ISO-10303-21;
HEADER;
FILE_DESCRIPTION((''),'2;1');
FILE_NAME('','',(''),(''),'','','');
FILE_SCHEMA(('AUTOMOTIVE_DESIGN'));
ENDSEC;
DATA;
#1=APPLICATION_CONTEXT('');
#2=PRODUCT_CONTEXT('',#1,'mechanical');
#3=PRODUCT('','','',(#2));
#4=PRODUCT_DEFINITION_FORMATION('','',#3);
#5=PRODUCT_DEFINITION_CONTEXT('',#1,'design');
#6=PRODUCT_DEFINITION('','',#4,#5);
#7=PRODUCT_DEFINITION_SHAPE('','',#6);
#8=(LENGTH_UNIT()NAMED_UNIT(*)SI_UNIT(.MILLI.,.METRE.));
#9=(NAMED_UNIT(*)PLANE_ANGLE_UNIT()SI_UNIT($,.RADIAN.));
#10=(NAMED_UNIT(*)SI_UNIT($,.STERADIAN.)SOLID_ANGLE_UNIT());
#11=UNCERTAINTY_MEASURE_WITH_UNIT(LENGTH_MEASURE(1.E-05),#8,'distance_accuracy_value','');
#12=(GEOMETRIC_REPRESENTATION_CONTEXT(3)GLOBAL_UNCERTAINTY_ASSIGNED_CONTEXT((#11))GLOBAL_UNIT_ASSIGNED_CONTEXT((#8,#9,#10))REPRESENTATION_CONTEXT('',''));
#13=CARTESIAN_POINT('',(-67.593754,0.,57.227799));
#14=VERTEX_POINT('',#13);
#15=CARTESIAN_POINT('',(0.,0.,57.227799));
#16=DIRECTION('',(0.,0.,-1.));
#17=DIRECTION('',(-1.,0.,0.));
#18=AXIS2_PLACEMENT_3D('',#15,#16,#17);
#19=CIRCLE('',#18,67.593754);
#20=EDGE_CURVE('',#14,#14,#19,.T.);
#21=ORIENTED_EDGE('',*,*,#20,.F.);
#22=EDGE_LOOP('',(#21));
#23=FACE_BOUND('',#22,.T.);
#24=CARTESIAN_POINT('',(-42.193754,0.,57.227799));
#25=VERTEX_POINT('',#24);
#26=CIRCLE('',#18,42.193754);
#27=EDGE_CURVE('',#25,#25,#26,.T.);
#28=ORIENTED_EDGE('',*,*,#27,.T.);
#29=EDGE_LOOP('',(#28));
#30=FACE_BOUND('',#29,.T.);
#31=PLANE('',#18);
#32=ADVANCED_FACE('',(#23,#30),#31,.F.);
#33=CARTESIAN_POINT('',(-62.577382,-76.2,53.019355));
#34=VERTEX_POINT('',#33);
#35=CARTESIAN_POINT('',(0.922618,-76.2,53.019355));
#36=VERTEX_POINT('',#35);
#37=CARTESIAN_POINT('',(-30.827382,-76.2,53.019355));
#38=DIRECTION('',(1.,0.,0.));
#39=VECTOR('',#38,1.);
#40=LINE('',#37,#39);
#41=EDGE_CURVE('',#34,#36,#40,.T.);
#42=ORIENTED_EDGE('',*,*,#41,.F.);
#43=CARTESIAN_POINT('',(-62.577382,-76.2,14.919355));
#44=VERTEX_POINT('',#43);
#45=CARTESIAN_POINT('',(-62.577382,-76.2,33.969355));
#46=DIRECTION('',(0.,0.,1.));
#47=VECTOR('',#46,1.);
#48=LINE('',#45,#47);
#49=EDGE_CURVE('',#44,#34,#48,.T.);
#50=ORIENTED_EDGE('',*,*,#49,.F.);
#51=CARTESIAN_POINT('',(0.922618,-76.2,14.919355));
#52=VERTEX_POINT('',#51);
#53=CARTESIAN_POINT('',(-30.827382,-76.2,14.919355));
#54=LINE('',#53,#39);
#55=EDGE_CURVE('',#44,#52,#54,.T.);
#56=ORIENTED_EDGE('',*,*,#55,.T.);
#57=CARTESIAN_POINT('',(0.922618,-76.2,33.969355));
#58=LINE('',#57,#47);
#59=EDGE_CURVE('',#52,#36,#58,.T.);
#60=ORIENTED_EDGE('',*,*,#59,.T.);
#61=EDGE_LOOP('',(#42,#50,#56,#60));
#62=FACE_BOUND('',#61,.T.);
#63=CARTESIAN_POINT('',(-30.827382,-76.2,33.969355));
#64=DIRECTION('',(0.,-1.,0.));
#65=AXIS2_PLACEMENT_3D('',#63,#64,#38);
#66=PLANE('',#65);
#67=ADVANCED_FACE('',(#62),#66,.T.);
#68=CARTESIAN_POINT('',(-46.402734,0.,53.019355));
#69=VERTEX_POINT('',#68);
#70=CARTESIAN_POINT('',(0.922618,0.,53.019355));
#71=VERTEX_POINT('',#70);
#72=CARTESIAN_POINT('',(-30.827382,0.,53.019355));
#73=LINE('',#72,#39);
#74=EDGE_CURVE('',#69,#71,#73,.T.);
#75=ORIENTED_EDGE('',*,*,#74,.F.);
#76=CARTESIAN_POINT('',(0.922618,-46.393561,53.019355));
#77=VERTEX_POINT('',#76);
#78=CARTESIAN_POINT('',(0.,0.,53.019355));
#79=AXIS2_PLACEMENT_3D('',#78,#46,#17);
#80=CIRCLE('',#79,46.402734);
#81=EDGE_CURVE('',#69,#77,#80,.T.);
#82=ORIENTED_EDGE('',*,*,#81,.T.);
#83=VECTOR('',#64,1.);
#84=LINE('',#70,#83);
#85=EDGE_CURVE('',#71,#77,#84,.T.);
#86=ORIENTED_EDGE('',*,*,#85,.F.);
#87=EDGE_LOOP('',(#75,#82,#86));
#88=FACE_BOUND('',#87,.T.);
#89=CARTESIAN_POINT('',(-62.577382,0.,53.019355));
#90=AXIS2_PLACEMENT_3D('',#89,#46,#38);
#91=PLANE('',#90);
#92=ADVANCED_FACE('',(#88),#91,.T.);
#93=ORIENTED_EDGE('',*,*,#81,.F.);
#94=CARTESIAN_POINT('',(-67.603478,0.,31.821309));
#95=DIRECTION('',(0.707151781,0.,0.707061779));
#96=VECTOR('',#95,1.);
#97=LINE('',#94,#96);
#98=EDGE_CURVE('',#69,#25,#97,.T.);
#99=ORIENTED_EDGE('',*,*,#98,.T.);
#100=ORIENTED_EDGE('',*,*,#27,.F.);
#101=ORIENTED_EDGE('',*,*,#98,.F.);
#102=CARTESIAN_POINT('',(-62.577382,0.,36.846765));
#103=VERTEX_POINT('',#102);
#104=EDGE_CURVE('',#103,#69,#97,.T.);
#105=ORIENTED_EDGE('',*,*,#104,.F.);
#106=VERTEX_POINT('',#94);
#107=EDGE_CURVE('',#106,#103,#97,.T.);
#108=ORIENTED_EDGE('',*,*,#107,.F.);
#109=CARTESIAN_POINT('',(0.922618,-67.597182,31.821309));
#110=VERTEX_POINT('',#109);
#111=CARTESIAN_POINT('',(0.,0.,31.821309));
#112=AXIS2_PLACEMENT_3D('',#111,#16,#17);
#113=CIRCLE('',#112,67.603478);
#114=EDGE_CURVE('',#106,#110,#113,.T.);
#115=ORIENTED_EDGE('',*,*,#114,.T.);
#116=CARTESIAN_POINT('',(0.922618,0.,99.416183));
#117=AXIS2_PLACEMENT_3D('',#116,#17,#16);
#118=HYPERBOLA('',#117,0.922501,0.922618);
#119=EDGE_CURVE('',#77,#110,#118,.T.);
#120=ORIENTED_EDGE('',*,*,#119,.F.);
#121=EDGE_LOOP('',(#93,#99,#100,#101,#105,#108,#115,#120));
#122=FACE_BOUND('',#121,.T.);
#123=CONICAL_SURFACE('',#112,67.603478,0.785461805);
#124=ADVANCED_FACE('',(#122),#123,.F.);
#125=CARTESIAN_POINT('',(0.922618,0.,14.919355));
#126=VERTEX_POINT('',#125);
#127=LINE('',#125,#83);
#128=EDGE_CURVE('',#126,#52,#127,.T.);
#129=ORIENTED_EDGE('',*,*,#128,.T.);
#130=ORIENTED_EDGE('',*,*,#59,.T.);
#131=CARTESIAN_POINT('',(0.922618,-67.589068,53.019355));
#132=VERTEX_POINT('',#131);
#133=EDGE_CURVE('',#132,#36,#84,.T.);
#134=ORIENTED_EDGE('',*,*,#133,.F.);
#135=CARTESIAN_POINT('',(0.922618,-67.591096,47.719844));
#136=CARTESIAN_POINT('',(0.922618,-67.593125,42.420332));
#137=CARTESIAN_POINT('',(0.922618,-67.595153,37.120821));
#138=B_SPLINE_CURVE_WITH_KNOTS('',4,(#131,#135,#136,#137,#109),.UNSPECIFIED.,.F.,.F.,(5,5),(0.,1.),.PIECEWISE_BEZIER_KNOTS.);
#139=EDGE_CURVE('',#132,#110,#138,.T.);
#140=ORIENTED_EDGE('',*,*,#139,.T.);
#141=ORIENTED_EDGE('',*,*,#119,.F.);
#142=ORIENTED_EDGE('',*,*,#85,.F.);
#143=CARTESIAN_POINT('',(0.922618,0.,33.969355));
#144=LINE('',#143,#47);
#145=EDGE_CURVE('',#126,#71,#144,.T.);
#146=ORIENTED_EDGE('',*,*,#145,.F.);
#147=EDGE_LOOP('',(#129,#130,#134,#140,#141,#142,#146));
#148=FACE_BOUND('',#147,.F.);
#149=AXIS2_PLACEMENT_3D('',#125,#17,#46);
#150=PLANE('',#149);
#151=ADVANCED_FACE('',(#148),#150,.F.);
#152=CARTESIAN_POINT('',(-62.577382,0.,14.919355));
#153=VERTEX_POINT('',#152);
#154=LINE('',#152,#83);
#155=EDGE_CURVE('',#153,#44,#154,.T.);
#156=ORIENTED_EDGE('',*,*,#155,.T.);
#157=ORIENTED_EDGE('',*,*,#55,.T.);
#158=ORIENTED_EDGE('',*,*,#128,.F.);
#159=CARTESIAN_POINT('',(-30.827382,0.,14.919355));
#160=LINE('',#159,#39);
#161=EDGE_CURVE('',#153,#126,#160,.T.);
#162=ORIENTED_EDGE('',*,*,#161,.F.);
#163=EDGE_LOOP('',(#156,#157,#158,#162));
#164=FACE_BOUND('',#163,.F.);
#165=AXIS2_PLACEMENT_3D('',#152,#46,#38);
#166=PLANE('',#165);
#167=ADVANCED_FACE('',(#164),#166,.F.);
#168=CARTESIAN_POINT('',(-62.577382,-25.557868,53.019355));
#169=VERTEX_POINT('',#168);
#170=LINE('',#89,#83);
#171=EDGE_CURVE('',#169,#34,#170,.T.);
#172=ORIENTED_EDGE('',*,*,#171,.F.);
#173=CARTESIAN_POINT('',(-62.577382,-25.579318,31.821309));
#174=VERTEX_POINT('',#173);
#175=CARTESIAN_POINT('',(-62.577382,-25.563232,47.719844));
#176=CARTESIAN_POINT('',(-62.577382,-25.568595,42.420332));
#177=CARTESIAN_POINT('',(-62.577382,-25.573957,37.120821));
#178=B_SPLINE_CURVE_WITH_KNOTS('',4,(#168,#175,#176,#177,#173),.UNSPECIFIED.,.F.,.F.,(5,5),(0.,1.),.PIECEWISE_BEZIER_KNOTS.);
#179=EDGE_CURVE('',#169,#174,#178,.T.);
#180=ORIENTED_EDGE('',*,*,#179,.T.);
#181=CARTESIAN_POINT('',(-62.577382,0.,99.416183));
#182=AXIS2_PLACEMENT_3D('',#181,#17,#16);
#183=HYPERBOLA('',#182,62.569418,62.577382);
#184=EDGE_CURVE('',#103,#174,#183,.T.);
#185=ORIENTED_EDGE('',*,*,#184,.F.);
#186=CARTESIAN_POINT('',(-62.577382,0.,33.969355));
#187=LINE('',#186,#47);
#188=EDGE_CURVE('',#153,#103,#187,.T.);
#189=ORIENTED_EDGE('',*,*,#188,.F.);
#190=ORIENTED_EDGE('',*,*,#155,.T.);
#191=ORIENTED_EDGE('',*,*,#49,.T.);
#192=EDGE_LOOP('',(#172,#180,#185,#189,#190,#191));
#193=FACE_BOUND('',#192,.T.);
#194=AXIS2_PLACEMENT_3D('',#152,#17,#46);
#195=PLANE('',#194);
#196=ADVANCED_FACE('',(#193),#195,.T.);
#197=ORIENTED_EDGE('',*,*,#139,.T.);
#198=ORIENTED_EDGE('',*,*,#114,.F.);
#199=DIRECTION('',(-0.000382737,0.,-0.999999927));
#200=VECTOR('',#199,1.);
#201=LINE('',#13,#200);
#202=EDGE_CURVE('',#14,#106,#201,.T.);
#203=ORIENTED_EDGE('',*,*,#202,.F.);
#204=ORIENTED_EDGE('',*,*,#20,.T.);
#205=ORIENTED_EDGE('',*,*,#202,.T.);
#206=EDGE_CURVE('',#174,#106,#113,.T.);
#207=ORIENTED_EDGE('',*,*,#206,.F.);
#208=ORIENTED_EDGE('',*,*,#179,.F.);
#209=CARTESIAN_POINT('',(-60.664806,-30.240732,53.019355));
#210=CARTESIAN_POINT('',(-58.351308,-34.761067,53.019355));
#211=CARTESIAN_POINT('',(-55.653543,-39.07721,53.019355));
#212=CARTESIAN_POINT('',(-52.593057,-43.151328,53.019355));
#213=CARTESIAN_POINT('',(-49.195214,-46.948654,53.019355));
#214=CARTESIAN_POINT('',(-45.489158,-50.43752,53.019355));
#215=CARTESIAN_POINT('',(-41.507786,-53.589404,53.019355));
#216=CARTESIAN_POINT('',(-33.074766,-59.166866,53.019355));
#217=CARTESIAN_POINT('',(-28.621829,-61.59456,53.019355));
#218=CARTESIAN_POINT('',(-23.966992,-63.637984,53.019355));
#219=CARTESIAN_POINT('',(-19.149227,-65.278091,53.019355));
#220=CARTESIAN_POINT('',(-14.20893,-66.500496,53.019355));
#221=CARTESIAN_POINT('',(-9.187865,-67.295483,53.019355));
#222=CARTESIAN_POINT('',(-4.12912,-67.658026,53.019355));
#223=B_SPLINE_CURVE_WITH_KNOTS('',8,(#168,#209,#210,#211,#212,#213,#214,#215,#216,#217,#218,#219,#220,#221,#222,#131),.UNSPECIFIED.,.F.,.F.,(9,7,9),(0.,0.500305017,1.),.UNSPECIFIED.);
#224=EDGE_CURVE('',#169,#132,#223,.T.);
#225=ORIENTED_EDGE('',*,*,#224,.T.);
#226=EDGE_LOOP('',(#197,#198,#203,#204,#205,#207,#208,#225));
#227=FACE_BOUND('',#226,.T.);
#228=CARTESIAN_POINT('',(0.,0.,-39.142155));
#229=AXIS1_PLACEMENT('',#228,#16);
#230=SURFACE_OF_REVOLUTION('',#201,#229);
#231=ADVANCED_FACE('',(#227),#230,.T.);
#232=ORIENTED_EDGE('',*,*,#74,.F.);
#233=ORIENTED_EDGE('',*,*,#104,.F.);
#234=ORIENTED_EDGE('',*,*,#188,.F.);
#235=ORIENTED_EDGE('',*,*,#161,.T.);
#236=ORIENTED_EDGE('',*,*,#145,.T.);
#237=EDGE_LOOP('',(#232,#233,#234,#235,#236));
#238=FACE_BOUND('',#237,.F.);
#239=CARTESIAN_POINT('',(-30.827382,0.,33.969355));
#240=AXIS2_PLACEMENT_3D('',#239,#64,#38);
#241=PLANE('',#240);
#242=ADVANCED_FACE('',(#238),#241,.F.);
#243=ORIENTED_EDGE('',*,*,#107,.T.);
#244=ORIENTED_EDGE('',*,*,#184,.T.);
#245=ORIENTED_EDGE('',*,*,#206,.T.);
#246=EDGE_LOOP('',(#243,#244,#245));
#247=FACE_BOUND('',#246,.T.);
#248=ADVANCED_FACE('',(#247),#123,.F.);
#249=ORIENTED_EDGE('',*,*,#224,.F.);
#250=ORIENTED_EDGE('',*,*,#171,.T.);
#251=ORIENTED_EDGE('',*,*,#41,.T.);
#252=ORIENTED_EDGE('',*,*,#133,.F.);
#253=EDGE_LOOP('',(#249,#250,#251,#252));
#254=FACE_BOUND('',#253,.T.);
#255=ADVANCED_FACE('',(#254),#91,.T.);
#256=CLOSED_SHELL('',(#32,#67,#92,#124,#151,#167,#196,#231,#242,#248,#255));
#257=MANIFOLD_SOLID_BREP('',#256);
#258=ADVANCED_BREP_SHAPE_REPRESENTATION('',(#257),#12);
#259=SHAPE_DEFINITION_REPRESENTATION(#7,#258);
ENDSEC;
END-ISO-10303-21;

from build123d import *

# Parameters (mm, degrees)
F0_W     = 63.5
F0_H     = 38.1
F1_DEPTH = 76.2


with BuildPart() as f1:
    # F0 (on Front) → F1 (new body)
    with BuildSketch(Plane.XZ):
        with Locations((-30.827382, 33.969355)):
            Rectangle(F0_W, F0_H)
    extrude(amount=F1_DEPTH)

    # F2 (on Front) → F3 (revolve)
    with BuildSketch(Plane.XZ):
        Polygon((-67.593754, 57.227799), (-67.603478, 31.821309), (-42.193754, 57.227799), align=None)
    revolve(axis=Axis((0, 0, -39.142155), (0, 0, -1)))


solid = f1.part
